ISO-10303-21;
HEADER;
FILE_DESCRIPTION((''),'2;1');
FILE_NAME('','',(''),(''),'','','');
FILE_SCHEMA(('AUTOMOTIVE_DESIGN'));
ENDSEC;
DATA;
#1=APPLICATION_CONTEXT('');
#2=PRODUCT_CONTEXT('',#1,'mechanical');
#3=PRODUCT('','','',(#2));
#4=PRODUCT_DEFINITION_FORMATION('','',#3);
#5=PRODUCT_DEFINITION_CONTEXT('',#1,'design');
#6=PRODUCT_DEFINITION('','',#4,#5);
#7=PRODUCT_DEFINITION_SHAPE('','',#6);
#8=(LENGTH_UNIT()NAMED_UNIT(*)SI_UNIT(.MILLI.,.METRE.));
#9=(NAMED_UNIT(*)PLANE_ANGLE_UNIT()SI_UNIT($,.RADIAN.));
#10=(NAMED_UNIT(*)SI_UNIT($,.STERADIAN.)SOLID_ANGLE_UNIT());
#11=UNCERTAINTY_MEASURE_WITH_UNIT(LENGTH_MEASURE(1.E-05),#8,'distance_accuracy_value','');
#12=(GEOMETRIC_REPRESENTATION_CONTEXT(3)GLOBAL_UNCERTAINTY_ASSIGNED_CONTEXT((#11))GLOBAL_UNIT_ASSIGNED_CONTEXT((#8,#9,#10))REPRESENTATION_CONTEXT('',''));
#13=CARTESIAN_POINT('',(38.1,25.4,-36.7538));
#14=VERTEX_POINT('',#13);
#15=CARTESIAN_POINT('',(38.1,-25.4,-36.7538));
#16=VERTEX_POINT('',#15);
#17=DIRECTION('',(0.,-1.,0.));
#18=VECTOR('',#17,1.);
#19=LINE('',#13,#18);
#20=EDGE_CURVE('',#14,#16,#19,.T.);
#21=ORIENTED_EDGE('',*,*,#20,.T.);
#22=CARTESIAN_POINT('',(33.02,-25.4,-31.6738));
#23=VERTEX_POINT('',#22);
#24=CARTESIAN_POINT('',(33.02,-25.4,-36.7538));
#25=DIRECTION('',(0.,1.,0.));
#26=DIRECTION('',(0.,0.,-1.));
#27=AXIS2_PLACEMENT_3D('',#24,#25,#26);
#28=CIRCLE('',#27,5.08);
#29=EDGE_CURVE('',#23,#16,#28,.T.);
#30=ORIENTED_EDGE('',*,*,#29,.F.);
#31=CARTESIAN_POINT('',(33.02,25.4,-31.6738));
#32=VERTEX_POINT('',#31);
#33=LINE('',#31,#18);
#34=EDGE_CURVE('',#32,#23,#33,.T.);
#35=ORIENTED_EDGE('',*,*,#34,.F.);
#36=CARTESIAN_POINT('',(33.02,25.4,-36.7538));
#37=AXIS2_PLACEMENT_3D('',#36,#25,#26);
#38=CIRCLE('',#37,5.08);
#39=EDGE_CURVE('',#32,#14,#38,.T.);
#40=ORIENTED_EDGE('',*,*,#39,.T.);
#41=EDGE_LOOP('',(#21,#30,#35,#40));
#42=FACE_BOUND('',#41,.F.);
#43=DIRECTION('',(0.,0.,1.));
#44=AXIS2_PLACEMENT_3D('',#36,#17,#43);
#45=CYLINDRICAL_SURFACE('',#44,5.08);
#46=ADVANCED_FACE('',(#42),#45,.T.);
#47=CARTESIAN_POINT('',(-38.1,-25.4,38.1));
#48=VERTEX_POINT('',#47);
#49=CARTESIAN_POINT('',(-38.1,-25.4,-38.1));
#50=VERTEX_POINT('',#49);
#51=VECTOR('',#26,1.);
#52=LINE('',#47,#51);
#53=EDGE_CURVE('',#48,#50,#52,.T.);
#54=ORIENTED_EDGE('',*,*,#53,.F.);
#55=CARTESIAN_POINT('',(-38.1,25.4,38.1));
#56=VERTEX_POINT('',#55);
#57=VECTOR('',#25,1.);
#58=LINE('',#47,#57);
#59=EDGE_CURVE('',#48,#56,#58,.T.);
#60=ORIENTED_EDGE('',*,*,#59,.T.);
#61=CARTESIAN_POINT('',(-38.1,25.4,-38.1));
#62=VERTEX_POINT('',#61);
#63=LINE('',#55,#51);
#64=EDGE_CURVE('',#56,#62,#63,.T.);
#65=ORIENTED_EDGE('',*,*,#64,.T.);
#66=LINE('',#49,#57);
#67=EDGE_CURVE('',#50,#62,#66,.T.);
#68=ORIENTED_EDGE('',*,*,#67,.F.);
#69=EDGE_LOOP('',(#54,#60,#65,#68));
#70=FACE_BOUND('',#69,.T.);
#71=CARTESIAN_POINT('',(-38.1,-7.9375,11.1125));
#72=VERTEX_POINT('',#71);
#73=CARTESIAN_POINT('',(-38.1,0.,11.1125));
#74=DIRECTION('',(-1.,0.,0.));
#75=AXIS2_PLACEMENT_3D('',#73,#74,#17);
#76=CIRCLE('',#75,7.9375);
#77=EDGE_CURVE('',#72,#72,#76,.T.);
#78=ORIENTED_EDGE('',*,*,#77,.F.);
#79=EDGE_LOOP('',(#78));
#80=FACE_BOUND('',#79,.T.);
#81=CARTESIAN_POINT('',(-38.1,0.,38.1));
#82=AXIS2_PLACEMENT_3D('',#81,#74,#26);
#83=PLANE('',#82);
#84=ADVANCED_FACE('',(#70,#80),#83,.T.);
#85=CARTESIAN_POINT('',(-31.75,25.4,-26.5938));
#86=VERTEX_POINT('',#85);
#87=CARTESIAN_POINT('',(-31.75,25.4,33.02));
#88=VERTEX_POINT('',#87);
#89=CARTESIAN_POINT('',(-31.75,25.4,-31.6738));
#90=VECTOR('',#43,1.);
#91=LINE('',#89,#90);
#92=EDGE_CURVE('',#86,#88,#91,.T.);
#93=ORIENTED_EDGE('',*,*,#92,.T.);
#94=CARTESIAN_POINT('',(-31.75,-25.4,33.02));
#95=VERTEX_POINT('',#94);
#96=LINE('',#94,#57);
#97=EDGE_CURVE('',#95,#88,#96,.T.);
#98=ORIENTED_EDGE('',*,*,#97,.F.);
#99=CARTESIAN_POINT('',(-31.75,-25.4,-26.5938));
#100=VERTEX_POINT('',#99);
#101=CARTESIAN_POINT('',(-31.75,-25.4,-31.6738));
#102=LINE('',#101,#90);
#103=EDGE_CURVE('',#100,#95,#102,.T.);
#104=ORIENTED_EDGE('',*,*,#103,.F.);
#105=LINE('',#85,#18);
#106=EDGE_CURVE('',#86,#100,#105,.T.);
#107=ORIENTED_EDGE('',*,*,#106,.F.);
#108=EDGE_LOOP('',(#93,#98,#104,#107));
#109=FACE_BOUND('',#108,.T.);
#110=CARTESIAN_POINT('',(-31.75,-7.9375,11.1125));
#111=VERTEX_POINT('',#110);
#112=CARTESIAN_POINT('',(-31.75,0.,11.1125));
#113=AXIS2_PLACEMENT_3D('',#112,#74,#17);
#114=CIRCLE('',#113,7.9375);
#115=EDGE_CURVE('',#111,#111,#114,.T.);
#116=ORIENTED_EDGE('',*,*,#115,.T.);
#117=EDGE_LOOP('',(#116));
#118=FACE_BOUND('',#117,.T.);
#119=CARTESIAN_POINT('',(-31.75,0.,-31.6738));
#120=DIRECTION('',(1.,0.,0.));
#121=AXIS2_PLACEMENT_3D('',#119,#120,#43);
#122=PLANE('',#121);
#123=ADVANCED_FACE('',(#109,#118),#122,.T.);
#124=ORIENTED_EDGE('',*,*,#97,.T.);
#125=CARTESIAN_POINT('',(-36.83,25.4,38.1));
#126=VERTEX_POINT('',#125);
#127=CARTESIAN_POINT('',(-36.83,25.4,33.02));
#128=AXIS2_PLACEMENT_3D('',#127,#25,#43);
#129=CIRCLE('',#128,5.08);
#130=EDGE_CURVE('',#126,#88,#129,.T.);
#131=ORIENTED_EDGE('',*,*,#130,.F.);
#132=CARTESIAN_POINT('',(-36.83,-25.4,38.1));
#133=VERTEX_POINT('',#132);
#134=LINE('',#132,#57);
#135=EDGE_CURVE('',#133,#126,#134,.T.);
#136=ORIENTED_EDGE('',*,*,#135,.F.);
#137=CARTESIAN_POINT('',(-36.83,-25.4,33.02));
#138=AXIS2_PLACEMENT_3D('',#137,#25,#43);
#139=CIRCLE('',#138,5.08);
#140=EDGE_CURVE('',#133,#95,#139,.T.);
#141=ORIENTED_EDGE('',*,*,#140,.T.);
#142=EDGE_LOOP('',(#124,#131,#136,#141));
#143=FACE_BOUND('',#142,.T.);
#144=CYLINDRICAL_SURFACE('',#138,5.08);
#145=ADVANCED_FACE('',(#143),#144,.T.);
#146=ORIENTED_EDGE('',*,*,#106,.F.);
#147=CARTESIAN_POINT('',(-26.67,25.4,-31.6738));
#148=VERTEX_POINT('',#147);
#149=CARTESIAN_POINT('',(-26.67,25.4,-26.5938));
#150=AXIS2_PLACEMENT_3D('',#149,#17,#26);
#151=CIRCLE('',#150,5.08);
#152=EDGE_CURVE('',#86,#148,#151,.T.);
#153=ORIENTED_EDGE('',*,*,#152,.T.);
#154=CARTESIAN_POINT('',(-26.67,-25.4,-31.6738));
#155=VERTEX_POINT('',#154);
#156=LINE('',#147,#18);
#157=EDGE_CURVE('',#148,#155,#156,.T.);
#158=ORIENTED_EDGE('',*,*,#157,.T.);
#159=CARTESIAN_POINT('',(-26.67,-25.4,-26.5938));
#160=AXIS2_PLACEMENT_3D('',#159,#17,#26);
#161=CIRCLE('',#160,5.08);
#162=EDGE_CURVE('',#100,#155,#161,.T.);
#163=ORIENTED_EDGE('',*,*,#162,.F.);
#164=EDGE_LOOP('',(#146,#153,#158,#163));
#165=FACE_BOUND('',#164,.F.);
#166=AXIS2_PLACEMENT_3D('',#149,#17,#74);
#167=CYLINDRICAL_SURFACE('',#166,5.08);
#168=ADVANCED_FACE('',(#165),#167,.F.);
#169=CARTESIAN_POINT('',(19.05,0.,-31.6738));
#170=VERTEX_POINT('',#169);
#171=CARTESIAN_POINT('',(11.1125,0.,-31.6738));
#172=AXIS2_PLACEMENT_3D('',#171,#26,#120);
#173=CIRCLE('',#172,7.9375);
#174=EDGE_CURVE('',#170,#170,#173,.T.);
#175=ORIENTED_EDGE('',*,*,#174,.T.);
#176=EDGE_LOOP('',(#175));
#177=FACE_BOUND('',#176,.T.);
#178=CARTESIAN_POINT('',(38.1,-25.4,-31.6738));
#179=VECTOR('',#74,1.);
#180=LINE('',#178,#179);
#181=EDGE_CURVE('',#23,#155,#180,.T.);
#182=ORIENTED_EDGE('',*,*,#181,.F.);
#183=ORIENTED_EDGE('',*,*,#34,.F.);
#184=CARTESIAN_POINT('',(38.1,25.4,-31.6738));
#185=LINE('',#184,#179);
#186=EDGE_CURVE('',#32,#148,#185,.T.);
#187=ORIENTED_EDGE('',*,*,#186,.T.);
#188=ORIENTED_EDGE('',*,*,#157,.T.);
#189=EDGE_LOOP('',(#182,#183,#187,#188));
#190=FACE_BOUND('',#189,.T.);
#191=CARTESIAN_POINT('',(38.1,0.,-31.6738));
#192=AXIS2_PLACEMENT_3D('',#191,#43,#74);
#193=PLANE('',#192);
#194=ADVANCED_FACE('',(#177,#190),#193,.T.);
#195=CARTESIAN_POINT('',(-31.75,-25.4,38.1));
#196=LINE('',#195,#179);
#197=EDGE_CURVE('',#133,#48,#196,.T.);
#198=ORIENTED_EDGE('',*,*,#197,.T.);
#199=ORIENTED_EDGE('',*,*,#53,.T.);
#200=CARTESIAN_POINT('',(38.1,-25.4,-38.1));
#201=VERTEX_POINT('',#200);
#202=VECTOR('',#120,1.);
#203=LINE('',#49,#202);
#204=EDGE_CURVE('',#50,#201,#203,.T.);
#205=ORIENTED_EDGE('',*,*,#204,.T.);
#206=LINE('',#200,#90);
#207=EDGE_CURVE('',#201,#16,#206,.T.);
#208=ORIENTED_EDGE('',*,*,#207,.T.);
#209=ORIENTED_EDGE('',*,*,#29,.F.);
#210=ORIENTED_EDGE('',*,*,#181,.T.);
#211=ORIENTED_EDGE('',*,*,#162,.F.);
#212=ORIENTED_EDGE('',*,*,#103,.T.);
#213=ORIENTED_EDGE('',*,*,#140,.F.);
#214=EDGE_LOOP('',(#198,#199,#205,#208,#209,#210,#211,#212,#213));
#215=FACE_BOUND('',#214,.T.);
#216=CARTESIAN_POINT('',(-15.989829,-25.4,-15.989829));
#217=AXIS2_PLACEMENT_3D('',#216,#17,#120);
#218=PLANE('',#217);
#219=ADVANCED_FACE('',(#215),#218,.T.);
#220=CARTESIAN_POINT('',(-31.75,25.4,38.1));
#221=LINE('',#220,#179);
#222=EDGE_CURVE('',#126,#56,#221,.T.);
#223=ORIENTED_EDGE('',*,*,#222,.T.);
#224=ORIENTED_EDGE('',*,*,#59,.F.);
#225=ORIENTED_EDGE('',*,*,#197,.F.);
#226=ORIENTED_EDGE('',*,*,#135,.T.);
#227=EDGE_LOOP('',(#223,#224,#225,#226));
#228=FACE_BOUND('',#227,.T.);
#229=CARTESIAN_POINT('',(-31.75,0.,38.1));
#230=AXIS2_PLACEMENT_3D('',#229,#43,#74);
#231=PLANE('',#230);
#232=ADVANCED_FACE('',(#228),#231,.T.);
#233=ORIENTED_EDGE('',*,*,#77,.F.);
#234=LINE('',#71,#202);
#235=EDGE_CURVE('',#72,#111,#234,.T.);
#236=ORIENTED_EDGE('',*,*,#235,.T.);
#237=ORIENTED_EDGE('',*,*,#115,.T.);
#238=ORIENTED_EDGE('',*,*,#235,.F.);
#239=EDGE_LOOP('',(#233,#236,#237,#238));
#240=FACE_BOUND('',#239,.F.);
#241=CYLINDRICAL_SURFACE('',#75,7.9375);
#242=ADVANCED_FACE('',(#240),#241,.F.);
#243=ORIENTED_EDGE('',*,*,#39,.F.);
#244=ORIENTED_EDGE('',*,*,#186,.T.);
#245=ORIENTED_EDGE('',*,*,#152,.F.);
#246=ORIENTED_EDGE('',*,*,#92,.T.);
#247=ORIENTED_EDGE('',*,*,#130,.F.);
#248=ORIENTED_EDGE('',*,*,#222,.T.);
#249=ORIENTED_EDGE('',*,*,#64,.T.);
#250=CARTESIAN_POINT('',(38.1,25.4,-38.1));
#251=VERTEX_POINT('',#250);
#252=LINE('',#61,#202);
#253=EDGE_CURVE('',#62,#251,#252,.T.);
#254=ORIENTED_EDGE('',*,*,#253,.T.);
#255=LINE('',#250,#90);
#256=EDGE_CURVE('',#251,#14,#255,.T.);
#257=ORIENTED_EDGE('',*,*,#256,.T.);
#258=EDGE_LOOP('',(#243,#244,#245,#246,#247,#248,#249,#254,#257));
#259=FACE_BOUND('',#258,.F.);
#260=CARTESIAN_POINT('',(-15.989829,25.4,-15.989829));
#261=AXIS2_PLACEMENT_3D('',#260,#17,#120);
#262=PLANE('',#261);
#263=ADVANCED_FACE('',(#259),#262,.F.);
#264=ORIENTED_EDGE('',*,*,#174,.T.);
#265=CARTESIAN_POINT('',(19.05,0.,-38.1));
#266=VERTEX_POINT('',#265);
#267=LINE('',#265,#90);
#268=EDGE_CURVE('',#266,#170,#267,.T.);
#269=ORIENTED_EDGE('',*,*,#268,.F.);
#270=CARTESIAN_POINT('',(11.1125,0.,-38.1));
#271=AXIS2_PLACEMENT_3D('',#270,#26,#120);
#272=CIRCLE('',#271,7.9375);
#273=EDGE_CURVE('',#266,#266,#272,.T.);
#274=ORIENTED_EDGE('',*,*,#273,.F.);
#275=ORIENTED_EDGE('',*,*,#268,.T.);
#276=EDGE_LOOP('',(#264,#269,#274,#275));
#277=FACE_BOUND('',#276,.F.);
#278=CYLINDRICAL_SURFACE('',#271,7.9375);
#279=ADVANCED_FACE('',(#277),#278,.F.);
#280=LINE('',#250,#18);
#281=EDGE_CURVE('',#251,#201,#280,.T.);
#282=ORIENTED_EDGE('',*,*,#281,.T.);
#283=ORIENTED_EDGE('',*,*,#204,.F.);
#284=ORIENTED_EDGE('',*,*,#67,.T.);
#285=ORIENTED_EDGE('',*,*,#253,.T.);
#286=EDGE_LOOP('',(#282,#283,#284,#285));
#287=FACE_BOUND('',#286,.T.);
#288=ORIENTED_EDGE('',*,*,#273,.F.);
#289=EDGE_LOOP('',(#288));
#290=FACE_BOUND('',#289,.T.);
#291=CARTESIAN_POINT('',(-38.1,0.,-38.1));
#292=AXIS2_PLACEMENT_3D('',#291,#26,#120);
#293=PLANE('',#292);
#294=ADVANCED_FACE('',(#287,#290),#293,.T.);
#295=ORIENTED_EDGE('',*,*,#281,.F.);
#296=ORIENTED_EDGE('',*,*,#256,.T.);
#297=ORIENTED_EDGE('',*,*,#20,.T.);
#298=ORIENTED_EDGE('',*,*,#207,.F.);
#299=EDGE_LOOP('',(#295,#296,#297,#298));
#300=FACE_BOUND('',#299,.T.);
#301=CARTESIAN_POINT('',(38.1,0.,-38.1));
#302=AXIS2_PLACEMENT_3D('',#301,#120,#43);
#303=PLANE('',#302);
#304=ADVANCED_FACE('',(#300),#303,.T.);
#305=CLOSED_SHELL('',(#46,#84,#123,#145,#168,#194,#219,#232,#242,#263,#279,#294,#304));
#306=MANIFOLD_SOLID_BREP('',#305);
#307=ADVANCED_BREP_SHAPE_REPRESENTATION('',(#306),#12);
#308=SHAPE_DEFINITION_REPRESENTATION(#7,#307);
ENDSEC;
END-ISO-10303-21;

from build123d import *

# Parameters (mm, degrees)
F1_DEPTH = 25.4
F2_R     = 5.08
F3_R     = 7.9375
F4_DEPTH = 25.4
F5_R     = 7.9375
F6_DEPTH = 25.4


with BuildPart() as f1:
    # F0 (on Front) → F1 (new body, symmetric)
    with BuildSketch(Plane.XZ):
        Polygon((-38.1, -38.1), (38.1, -38.1), (38.1, -31.6738), (-31.75, -31.6738), (-31.75, 38.1), (-38.1, 38.1), align=None)
    extrude(amount=F1_DEPTH, both=True)

    # F2
    f2_edges = [f1.edges().sort_by_distance(p)[0] for p in [
        (-31.75, 0, 38.1),
        (-31.75, 0, -31.6738),
        (38.1, 0, -31.6738),
    ]]
    fillet(f2_edges, radius=F2_R)

    # F3 (on face) → F4 (cut)
    with BuildSketch(Plane(origin=(-38.1, 0, 0), x_dir=(0, -1, 0), z_dir=(-1, 0, 0))):
        with Locations((0, 11.1125)):
            Circle(F3_R)
    extrude(amount=-F4_DEPTH, mode=Mode.SUBTRACT)

    # F5 (on face) → F6 (cut)
    with BuildSketch(Plane(origin=(0, 0, -38.1), x_dir=(1, 0, 0), z_dir=(0, 0, -1))):
        with Locations((11.1125, 0)):
            Circle(F5_R)
    extrude(amount=-F6_DEPTH, mode=Mode.SUBTRACT)


solid = f1.part
